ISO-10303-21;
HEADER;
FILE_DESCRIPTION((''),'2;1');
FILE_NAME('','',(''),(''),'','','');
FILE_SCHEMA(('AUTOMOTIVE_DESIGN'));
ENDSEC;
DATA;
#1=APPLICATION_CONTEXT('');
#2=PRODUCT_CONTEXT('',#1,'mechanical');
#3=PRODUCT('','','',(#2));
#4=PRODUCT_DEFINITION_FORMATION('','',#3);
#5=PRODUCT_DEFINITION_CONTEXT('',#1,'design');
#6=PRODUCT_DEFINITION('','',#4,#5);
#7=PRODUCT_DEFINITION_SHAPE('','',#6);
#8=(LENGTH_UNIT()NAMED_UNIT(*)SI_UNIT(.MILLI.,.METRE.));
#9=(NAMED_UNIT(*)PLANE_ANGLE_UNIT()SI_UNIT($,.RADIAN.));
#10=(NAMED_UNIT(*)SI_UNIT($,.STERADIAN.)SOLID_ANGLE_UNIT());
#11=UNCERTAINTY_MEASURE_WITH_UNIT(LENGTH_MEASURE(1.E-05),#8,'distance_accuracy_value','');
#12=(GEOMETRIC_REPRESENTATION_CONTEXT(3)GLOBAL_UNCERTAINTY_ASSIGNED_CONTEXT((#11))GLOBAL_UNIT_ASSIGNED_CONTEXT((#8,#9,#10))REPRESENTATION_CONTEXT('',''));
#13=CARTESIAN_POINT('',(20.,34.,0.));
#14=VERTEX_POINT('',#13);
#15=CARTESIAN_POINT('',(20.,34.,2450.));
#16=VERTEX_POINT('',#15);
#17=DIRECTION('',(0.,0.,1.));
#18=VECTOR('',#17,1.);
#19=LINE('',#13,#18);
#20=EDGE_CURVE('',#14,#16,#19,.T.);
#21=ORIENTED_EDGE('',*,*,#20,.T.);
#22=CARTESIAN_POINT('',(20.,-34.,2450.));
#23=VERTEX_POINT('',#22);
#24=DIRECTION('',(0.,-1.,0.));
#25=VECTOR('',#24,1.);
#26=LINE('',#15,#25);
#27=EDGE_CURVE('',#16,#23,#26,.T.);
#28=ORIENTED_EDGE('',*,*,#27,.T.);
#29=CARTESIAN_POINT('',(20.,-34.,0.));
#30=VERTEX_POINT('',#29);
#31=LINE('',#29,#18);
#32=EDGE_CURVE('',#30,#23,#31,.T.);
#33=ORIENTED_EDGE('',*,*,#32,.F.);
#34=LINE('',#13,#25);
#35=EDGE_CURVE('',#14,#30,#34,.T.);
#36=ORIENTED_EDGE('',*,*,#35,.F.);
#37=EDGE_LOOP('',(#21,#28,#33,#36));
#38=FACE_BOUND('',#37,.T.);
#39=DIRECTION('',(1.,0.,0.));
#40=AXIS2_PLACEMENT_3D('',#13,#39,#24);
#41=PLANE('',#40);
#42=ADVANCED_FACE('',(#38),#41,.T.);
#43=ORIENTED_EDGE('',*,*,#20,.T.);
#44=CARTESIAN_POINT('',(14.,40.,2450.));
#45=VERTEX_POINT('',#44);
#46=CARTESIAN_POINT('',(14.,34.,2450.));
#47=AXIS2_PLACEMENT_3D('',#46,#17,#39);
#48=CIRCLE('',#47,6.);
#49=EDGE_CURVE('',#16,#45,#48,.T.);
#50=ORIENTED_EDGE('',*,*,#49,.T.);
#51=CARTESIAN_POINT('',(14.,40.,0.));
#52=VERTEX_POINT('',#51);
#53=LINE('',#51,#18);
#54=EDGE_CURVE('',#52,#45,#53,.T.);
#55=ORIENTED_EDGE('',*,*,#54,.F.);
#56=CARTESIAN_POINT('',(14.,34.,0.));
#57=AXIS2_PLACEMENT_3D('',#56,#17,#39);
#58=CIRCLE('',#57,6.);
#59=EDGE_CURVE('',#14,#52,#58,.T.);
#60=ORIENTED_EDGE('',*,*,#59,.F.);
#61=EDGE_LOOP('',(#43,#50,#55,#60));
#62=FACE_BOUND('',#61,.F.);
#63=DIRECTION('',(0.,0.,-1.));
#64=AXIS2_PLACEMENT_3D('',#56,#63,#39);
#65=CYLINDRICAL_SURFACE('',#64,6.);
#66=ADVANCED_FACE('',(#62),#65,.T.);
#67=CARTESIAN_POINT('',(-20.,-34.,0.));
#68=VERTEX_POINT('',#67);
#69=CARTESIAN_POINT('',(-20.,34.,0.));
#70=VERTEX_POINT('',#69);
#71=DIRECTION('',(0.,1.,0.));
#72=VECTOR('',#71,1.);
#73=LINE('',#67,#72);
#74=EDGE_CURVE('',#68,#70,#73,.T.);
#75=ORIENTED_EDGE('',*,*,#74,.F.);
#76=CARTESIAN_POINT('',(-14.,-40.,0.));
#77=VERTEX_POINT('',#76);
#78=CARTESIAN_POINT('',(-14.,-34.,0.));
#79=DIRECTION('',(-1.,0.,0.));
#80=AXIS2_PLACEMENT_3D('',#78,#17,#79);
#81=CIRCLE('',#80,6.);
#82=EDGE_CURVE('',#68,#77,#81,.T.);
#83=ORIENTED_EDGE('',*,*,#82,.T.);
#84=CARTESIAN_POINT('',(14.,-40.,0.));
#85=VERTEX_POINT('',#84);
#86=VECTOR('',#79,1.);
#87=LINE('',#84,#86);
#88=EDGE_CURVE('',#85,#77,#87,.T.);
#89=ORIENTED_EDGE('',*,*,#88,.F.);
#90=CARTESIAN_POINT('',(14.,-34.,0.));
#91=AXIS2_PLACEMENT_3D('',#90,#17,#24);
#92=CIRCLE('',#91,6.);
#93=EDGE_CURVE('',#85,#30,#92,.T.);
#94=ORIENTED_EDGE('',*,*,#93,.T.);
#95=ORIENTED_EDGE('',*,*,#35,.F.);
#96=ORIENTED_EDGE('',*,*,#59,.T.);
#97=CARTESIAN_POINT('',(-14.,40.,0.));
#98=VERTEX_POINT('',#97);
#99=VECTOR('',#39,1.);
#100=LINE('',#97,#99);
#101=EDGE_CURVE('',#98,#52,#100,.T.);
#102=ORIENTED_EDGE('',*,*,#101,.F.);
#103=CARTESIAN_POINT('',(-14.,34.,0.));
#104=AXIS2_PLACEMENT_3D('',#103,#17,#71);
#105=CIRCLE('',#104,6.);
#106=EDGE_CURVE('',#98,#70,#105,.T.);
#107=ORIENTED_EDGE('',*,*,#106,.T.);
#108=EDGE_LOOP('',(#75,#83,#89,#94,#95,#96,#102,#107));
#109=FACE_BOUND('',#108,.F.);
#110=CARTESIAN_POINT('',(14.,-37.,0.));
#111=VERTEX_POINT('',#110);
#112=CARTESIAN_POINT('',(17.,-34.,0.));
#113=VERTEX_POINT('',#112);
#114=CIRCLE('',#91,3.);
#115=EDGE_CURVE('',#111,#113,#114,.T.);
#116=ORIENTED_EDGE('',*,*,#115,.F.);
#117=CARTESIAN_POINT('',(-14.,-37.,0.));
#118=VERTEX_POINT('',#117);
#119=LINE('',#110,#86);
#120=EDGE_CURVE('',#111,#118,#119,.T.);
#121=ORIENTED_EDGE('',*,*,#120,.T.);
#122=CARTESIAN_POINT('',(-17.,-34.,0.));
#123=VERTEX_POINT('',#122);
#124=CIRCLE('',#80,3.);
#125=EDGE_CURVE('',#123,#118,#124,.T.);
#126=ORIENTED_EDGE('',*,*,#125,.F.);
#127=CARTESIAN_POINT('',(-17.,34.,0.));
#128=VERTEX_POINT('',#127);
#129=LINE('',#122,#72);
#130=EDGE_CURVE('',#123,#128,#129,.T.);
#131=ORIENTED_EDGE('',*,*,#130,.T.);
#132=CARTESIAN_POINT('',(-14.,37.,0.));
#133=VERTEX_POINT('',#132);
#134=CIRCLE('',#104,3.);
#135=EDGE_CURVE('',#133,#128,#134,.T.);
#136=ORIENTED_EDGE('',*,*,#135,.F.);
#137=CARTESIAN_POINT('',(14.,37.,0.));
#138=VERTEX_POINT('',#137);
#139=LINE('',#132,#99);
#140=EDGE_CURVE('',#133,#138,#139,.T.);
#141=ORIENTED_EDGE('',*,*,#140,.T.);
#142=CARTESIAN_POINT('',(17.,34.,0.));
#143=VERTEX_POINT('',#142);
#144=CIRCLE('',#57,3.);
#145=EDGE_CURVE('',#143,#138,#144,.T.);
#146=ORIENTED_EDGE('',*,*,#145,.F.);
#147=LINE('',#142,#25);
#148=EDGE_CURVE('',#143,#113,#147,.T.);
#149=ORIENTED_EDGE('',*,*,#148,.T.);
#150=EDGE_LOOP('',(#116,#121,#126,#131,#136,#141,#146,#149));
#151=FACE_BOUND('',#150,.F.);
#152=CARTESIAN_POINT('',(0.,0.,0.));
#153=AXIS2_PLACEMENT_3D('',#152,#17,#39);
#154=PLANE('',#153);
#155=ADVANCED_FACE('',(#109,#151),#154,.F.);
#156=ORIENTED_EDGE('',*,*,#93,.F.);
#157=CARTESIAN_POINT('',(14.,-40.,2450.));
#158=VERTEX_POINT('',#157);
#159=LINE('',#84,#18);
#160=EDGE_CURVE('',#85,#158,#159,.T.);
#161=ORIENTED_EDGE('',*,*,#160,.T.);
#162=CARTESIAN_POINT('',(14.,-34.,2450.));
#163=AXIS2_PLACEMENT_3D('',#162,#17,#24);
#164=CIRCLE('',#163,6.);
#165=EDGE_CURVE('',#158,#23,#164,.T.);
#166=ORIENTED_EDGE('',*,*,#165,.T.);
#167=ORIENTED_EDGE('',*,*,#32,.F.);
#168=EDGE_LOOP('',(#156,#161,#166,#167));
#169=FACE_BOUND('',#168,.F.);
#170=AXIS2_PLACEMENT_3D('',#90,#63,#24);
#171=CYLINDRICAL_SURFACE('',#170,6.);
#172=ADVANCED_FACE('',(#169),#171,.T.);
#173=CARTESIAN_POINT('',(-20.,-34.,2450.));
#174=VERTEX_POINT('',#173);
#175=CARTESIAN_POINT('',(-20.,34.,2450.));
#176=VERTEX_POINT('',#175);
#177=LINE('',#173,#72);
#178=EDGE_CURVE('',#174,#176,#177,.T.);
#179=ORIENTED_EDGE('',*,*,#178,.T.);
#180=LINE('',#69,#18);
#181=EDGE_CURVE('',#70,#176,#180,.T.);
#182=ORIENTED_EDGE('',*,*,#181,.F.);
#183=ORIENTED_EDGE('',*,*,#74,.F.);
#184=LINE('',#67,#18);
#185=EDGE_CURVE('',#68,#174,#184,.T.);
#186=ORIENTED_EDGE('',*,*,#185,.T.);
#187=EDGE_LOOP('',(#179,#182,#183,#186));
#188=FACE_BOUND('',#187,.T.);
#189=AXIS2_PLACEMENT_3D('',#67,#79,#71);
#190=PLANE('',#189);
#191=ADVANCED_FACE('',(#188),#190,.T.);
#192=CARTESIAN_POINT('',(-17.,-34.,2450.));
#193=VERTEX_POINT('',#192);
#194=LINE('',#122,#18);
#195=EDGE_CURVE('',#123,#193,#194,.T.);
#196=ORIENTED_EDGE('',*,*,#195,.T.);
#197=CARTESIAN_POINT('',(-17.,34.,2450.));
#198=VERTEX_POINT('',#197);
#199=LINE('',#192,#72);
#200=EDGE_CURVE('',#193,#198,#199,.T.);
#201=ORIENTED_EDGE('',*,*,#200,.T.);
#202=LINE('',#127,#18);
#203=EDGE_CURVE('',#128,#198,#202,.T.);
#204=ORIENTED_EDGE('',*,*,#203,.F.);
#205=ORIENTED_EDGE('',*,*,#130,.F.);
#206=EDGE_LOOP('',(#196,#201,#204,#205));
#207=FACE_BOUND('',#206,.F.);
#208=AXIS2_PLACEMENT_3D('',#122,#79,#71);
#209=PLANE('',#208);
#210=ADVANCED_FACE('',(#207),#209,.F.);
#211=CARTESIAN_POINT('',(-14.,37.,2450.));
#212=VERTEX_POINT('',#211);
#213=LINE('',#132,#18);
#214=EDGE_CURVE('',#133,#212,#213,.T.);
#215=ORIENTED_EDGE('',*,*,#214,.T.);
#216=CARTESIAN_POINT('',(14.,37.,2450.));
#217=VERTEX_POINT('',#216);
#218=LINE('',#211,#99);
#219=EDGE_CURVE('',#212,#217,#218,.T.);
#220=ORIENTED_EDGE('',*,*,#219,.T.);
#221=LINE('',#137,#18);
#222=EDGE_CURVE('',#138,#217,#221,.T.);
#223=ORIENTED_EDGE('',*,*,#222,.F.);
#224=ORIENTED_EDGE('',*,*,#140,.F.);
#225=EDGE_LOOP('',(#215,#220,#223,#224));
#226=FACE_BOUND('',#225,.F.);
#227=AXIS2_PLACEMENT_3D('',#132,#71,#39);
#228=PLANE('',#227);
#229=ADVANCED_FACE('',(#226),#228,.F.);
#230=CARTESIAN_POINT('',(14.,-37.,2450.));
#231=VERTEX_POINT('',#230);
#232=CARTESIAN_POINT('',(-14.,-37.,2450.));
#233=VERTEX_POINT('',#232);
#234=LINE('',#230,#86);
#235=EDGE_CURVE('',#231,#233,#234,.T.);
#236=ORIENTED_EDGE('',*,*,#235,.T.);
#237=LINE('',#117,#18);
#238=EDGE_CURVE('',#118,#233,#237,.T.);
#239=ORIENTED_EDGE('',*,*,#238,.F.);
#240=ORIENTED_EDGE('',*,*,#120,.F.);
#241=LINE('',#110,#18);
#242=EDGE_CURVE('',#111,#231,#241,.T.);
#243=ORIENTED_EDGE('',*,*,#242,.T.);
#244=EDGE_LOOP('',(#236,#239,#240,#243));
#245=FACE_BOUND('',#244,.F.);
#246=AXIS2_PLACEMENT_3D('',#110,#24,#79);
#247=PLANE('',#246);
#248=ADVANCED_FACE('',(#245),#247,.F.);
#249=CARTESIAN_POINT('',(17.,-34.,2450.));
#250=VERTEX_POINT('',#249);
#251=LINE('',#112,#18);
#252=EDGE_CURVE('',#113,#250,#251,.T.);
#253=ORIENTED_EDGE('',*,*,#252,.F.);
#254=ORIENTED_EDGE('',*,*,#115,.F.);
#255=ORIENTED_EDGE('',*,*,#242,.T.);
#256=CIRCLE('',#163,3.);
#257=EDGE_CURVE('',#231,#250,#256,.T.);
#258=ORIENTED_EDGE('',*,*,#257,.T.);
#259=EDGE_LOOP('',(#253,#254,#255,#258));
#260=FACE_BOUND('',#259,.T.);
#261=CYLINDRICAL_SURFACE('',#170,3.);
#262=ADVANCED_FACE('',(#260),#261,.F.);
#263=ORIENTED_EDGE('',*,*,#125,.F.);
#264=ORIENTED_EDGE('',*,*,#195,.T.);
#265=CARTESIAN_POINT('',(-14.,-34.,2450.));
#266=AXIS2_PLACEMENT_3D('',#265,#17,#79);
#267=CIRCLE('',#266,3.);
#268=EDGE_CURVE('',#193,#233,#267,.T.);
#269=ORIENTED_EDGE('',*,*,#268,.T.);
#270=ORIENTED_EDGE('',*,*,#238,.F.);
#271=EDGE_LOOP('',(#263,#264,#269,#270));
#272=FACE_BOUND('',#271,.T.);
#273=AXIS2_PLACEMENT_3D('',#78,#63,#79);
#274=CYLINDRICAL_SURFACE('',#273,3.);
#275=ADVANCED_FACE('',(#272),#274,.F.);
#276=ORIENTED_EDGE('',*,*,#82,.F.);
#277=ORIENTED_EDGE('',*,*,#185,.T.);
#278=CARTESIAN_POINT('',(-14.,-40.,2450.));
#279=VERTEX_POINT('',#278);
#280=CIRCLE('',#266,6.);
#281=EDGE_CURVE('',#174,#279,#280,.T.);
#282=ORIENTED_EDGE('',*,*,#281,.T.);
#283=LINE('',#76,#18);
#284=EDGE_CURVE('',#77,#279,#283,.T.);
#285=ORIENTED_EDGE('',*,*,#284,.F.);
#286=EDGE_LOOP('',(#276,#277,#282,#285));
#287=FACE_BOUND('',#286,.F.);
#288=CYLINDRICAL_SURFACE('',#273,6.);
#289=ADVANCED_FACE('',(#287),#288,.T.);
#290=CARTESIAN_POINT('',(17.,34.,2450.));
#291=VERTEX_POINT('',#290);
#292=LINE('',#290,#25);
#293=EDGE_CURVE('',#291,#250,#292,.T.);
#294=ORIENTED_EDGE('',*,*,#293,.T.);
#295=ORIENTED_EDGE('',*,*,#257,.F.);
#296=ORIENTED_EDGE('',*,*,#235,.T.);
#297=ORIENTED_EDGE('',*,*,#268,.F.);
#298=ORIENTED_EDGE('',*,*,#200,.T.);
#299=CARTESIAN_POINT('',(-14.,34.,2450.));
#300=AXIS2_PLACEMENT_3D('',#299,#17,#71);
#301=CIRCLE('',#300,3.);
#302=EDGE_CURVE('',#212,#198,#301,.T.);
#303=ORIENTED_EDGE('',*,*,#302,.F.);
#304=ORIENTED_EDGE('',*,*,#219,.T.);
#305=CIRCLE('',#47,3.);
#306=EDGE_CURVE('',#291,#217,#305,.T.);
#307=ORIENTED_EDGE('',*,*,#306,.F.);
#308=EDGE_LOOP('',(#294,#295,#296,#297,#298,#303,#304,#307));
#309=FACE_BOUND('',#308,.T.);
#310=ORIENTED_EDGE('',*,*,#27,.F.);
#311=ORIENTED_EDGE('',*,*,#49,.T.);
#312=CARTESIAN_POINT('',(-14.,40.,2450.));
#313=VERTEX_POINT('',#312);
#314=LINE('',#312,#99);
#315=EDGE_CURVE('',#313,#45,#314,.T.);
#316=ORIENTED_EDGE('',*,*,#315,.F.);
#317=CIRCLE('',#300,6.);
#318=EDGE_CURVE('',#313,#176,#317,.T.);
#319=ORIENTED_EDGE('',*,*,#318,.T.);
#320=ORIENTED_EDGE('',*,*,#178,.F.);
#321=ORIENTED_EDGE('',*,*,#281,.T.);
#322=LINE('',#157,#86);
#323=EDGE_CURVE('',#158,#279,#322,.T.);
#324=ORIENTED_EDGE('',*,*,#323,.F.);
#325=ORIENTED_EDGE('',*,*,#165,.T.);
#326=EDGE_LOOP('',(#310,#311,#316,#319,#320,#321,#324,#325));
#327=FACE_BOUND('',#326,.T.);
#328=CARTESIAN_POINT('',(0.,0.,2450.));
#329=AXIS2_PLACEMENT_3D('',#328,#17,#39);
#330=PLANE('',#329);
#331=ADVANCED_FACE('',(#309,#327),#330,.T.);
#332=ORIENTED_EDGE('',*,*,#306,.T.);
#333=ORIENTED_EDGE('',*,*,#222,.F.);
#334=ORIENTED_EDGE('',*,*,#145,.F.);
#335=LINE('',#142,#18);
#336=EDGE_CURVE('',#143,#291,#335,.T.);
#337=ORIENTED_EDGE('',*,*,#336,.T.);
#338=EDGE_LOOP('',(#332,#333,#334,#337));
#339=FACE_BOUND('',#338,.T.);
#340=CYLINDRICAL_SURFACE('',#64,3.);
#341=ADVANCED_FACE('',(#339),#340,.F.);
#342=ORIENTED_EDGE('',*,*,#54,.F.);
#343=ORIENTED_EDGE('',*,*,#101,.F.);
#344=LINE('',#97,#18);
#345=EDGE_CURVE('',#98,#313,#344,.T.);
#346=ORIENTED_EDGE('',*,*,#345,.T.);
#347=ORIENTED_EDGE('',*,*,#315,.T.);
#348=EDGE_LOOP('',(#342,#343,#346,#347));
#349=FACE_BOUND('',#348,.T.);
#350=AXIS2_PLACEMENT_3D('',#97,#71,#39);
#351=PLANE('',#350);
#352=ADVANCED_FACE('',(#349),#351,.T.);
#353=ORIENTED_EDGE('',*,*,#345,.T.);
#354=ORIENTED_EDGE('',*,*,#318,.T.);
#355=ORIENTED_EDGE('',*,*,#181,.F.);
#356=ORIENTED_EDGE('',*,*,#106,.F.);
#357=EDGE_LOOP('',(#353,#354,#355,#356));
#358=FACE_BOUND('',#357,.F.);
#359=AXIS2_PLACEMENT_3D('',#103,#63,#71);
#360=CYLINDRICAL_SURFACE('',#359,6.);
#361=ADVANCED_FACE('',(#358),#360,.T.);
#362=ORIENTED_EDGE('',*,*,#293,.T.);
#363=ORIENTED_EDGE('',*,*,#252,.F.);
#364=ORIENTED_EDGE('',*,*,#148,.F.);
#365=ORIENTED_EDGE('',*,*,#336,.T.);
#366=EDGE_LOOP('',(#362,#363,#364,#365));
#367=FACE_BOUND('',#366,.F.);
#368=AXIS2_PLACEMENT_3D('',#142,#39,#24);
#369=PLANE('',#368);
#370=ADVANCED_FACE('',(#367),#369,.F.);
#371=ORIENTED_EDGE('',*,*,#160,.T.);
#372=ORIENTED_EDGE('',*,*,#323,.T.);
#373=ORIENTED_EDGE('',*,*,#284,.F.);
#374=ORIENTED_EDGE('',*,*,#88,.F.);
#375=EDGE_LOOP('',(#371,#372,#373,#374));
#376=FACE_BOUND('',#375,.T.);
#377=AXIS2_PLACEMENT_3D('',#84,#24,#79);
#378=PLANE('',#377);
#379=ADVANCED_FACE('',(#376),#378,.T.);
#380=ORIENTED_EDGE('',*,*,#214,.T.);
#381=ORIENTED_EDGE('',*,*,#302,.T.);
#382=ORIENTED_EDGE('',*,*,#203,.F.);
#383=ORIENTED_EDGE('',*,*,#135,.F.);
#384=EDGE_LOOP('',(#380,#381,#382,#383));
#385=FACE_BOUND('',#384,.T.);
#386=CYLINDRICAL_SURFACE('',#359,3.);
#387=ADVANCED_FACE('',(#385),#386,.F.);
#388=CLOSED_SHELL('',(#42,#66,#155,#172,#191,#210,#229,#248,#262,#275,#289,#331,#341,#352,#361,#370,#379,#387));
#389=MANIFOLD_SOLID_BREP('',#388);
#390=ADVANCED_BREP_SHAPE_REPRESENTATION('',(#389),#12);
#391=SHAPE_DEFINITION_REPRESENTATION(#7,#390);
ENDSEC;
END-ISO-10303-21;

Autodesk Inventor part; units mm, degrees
ref_plane "YZ Plane" through (0, 0, 0) normal (1, 0, 0) x (0, 1, 0)
ref_plane "Start Plane" through (0, 0, 0) normal (0, 0, 1) x (1, 0, 0)
ref_plane "End Plane" through (0, 0, 2450) normal (0, 0, 1) x (1, 0, 0)
sketch "Sketch" plane through (0, 0, 0) normal (0, 0, 1) x (1, 0, 0)
  line L0 (-20, -34) -> (-20, 34)
  line L1 (-14, 40) -> (14, 40)
  line L2 (20, 34) -> (20, -34)
  line L3 (14, -40) -> (-14, -40)
  arc A0 (-20, -34) -> (-14, -40) centre (-14, -34) ccw
  arc A1 (20, 34) -> (14, 40) centre (14, 34) ccw
  arc A2 (-14, 40) -> (-20, 34) centre (-14, 34) ccw
  arc A3 (14, -40) -> (20, -34) centre (14, -34) ccw
  arc A4 (-14, 37) -> (-17, 34) centre (-14, 34) ccw
  line L4 (-14, 37) -> (14, 37)
  arc A5 (17, 34) -> (14, 37) centre (14, 34) ccw
  line L5 (17, 34) -> (17, -34)
  arc A6 (14, -37) -> (17, -34) centre (14, -34) ccw
  line L6 (14, -37) -> (-14, -37)
  arc A7 (-17, -34) -> (-14, -37) centre (-14, -34) ccw
  line L7 (-17, -34) -> (-17, 34)
  line L8 (0, 57.7397) -> (0, -57.7397) construction
  line L9 (-29.7397, 0) -> (29.7397, 0) construction
  dimension "d7" = 6
  dimension "d9" = 40
  dimension "d11" = 80
  dimension "d12" = 3
  dimension "d15" = 20
  dimension "d16" = 40
extrude "Body" add sketch "Sketch" along normal up to surface (2450 mm away) from surface at 0
sketch "Sketch3" plane through (0, 0, 0) normal (0, 0, 1) x (1, 0, 0)
  line L0 (0, 0) -> (10, 0)
ref_plane "Work Plane3" through (0, 0, 0) normal (0, -1, 0) x (1, 0, 0)
sketch "Sketch4" plane through (0, 0, 0) normal (0, -1, 0) x (1, 0, 0)
  line L0 (-2, 0) -> (12, 0) projected
  line L1 (-2, 2450) -> (12, 2450) projected
  dimension "d18" = 2450
equation "\"d7\" = G_IR"
equation "\"d9\" = G_W"
equation "\"d11\" = G_H"
equation "\"d12\" = G_T"
equation "\"d15\" = 0.5 * d9"
equation "\"d16\" = 0.5 * d11"
equation "\"d3\" = G_L"
equation "\"G_W\" = 40"
equation "\"G_H\" = 80"
equation "\"G_T\" = 3"
equation "\"G_IR\" = 6"
equation "\"G_L\" = d18"
equation "\"G_OFFSET_START\" = 0"
equation "\"G_OFFSET_END\" = 0"
properties part number "ISO 10799-2 - 80x40x3 - 2450" material "Steel, Mild"
